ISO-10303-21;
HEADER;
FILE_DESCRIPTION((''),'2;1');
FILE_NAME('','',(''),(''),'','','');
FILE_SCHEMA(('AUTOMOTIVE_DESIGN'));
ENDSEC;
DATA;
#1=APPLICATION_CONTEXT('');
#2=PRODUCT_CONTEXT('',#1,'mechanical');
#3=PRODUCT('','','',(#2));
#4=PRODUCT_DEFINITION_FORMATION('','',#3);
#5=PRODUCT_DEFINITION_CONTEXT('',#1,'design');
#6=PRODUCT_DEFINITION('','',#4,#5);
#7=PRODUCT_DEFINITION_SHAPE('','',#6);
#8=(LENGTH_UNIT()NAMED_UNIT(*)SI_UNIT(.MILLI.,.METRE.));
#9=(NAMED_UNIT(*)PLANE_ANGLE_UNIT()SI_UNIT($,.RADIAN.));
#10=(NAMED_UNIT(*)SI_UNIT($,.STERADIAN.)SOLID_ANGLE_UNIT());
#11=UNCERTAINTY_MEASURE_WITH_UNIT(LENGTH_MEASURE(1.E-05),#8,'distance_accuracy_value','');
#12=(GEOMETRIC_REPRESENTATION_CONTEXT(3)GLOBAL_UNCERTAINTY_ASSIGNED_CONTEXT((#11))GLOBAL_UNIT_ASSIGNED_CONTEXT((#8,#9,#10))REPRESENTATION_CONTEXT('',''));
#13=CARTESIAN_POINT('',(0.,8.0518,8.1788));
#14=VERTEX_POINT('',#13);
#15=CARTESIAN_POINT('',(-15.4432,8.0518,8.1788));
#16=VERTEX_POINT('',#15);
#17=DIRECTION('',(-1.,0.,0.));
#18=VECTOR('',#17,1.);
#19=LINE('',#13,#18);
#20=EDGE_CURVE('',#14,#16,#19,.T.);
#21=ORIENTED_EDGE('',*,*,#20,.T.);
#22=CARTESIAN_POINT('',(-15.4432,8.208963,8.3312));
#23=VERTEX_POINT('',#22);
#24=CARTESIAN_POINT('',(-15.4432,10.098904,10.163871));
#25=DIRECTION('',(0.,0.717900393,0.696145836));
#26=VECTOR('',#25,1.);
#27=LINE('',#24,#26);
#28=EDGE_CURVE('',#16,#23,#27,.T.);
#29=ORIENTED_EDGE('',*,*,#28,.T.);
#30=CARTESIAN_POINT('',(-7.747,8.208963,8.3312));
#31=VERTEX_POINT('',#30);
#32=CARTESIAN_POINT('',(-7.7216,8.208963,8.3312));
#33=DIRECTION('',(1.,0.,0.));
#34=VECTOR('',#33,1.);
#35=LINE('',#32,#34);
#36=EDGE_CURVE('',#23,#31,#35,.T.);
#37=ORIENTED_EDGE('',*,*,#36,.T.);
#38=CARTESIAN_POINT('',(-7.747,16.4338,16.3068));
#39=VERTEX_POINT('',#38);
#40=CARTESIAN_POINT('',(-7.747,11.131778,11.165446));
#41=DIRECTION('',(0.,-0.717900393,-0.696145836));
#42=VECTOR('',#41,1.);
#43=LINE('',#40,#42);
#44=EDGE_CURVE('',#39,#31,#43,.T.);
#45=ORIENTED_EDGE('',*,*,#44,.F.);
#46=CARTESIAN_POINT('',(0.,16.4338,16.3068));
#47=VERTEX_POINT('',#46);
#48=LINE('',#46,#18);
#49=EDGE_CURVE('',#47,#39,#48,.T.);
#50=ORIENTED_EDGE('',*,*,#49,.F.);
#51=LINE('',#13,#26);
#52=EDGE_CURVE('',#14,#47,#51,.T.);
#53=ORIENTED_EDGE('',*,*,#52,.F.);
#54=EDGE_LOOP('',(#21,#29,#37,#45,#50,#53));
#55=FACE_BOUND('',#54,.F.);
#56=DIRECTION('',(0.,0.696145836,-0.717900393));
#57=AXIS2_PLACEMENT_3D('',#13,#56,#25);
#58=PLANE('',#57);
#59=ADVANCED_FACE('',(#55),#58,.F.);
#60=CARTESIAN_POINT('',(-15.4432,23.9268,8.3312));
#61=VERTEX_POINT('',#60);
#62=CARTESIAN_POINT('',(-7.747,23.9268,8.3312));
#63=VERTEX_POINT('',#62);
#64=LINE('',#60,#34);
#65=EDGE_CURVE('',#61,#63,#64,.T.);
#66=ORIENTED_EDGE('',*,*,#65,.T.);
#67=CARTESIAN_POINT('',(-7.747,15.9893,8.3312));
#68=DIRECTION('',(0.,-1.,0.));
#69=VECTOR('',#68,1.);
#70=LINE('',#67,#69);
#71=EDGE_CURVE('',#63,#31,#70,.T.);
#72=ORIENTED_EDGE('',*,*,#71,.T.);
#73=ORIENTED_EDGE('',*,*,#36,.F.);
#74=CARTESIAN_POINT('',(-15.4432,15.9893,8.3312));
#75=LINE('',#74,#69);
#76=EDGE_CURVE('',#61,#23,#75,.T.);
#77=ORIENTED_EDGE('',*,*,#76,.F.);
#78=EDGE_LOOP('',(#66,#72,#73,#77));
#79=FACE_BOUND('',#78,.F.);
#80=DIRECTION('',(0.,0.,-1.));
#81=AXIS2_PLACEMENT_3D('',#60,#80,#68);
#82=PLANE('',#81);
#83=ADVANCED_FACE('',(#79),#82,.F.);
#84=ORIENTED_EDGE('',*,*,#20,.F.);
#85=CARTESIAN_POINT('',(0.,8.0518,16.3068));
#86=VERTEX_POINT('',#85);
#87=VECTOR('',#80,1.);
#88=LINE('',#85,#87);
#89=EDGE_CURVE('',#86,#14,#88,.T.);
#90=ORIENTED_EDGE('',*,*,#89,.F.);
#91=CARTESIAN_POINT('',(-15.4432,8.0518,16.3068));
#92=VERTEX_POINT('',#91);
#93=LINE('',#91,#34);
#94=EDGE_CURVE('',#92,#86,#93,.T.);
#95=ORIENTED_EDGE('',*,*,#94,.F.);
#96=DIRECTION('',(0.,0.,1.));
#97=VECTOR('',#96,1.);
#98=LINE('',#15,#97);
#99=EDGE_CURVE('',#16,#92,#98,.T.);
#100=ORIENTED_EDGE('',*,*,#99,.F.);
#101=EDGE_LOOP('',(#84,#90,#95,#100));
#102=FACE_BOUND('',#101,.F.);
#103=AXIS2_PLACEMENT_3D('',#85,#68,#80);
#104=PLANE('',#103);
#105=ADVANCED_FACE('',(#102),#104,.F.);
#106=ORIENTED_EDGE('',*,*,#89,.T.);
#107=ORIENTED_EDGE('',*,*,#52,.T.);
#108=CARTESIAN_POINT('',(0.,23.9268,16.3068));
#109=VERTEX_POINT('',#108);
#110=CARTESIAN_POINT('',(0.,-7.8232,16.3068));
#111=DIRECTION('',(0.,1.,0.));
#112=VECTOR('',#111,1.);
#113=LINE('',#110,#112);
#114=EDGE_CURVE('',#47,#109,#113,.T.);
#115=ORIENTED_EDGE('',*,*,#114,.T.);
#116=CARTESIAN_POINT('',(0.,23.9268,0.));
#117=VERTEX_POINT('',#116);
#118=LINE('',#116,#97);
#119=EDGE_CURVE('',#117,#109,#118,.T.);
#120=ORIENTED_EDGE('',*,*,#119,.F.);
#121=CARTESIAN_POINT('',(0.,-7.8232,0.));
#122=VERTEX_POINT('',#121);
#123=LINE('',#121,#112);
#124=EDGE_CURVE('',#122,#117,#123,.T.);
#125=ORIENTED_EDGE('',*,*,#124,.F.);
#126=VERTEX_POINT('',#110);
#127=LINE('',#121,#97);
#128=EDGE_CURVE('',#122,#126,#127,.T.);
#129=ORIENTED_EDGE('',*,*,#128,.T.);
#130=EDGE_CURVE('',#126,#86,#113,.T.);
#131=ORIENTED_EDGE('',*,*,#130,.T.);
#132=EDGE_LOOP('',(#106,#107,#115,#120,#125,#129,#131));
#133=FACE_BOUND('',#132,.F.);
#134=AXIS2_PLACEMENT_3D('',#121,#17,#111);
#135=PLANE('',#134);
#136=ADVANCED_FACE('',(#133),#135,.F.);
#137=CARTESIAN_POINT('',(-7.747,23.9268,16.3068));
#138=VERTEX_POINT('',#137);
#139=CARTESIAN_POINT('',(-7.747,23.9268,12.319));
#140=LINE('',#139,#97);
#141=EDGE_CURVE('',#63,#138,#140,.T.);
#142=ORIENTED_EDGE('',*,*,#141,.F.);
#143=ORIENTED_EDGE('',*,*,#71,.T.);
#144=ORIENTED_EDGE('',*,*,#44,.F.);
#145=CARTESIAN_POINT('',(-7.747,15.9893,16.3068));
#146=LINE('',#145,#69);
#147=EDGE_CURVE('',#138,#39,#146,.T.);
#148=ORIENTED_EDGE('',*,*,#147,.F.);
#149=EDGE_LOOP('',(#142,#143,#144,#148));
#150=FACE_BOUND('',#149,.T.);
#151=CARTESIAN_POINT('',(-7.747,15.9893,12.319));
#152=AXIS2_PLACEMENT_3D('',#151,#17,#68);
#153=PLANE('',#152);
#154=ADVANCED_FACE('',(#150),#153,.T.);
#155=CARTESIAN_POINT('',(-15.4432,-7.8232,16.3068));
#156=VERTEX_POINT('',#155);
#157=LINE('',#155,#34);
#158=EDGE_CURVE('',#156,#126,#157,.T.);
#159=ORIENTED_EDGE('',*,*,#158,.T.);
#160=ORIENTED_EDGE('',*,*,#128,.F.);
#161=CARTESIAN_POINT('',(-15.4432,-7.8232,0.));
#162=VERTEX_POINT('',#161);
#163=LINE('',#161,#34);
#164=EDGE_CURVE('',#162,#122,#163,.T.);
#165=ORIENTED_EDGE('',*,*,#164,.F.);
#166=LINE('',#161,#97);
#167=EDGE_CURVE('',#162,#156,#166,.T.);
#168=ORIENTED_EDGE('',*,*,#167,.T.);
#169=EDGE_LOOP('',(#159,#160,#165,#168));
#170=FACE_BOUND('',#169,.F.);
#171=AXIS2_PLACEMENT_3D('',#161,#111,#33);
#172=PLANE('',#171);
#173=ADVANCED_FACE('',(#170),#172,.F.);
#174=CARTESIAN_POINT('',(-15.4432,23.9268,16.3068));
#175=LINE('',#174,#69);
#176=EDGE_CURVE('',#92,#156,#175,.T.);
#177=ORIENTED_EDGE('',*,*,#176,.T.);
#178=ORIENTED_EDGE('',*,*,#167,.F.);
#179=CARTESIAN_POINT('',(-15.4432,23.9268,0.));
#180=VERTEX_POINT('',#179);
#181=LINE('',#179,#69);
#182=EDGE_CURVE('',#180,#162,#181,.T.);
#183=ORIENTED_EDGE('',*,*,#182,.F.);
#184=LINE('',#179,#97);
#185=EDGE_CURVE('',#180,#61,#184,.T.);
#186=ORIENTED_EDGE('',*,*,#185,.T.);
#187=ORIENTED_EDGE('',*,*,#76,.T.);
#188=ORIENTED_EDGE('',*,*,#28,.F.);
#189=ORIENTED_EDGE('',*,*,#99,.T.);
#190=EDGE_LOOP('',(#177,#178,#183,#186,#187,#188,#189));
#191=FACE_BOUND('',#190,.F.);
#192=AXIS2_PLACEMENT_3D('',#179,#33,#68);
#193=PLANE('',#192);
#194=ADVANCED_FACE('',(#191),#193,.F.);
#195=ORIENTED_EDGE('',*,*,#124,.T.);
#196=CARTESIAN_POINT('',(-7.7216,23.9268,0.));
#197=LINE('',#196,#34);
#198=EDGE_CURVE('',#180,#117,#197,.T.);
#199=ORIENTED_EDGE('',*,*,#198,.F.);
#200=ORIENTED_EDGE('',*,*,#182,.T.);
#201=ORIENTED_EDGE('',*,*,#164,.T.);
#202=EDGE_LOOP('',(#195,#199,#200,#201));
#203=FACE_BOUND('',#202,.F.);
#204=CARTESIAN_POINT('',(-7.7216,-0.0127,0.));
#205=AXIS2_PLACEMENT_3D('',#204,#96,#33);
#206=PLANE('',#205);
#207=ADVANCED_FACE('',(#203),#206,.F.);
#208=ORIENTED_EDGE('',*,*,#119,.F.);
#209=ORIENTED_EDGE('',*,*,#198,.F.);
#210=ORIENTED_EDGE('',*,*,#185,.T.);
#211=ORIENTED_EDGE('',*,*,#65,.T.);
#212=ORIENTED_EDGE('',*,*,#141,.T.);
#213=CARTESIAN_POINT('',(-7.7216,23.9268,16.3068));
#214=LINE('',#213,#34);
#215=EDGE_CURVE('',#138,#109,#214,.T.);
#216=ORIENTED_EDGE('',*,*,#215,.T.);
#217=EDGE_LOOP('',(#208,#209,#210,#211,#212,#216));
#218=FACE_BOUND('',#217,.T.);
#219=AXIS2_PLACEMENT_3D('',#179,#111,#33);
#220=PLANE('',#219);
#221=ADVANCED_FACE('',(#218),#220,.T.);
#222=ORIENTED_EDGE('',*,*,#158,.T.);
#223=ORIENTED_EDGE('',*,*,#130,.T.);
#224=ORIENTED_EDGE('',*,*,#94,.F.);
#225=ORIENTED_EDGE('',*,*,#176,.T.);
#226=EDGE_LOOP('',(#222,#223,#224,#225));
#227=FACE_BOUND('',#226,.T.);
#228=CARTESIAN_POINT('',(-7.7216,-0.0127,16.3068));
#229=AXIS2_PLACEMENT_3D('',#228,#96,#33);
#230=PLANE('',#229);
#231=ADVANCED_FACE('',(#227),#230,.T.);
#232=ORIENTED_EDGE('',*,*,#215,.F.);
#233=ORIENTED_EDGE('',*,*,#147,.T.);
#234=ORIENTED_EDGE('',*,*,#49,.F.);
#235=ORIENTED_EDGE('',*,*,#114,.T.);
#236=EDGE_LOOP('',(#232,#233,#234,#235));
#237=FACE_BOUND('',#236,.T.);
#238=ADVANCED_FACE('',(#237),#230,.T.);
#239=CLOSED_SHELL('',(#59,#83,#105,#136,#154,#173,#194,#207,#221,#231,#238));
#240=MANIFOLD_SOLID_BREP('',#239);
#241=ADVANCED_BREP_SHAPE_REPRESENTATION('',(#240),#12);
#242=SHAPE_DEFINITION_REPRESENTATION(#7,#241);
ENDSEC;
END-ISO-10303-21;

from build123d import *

# Parameters (mm, degrees)
F0_W     = 15.4432
F0_H     = 16.129
F1_DEPTH = 16.3068
F2_W     = 15.875
F2_H     = 7.9756
F3_DEPTH = 7.6962
F5_DEPTH = 25.4


with BuildPart() as f1:
    # F0 (on Top) → F1 (new body)
    with BuildSketch(Plane.XY):
        Polygon((0, -7.8232), (0, 0), (0, 7.7978), (-15.4432, 7.7978), (-15.4432, -7.8232), align=None)
        with Locations((-7.7216, 15.8623)):
            Rectangle(F0_W, F0_H)
    extrude(amount=F1_DEPTH)

    # F2 (on face) → F3 (cut)
    with BuildSketch(Plane(origin=(-15.4432, 0, 0), x_dir=(0, -1, 0), z_dir=(-1, 0, 0))):
        with Locations((-15.9893, 12.319)):
            Rectangle(F2_W, F2_H)
    extrude(amount=-F3_DEPTH, mode=Mode.SUBTRACT)

    # F4 (on face) → F5 (cut)
    with BuildSketch(Plane.YZ):
        Polygon((16.4338, 16.3068), (8.0518, 16.3068), (8.0518, 8.1788), align=None)
    extrude(amount=-F5_DEPTH, mode=Mode.SUBTRACT)


solid = f1.part
